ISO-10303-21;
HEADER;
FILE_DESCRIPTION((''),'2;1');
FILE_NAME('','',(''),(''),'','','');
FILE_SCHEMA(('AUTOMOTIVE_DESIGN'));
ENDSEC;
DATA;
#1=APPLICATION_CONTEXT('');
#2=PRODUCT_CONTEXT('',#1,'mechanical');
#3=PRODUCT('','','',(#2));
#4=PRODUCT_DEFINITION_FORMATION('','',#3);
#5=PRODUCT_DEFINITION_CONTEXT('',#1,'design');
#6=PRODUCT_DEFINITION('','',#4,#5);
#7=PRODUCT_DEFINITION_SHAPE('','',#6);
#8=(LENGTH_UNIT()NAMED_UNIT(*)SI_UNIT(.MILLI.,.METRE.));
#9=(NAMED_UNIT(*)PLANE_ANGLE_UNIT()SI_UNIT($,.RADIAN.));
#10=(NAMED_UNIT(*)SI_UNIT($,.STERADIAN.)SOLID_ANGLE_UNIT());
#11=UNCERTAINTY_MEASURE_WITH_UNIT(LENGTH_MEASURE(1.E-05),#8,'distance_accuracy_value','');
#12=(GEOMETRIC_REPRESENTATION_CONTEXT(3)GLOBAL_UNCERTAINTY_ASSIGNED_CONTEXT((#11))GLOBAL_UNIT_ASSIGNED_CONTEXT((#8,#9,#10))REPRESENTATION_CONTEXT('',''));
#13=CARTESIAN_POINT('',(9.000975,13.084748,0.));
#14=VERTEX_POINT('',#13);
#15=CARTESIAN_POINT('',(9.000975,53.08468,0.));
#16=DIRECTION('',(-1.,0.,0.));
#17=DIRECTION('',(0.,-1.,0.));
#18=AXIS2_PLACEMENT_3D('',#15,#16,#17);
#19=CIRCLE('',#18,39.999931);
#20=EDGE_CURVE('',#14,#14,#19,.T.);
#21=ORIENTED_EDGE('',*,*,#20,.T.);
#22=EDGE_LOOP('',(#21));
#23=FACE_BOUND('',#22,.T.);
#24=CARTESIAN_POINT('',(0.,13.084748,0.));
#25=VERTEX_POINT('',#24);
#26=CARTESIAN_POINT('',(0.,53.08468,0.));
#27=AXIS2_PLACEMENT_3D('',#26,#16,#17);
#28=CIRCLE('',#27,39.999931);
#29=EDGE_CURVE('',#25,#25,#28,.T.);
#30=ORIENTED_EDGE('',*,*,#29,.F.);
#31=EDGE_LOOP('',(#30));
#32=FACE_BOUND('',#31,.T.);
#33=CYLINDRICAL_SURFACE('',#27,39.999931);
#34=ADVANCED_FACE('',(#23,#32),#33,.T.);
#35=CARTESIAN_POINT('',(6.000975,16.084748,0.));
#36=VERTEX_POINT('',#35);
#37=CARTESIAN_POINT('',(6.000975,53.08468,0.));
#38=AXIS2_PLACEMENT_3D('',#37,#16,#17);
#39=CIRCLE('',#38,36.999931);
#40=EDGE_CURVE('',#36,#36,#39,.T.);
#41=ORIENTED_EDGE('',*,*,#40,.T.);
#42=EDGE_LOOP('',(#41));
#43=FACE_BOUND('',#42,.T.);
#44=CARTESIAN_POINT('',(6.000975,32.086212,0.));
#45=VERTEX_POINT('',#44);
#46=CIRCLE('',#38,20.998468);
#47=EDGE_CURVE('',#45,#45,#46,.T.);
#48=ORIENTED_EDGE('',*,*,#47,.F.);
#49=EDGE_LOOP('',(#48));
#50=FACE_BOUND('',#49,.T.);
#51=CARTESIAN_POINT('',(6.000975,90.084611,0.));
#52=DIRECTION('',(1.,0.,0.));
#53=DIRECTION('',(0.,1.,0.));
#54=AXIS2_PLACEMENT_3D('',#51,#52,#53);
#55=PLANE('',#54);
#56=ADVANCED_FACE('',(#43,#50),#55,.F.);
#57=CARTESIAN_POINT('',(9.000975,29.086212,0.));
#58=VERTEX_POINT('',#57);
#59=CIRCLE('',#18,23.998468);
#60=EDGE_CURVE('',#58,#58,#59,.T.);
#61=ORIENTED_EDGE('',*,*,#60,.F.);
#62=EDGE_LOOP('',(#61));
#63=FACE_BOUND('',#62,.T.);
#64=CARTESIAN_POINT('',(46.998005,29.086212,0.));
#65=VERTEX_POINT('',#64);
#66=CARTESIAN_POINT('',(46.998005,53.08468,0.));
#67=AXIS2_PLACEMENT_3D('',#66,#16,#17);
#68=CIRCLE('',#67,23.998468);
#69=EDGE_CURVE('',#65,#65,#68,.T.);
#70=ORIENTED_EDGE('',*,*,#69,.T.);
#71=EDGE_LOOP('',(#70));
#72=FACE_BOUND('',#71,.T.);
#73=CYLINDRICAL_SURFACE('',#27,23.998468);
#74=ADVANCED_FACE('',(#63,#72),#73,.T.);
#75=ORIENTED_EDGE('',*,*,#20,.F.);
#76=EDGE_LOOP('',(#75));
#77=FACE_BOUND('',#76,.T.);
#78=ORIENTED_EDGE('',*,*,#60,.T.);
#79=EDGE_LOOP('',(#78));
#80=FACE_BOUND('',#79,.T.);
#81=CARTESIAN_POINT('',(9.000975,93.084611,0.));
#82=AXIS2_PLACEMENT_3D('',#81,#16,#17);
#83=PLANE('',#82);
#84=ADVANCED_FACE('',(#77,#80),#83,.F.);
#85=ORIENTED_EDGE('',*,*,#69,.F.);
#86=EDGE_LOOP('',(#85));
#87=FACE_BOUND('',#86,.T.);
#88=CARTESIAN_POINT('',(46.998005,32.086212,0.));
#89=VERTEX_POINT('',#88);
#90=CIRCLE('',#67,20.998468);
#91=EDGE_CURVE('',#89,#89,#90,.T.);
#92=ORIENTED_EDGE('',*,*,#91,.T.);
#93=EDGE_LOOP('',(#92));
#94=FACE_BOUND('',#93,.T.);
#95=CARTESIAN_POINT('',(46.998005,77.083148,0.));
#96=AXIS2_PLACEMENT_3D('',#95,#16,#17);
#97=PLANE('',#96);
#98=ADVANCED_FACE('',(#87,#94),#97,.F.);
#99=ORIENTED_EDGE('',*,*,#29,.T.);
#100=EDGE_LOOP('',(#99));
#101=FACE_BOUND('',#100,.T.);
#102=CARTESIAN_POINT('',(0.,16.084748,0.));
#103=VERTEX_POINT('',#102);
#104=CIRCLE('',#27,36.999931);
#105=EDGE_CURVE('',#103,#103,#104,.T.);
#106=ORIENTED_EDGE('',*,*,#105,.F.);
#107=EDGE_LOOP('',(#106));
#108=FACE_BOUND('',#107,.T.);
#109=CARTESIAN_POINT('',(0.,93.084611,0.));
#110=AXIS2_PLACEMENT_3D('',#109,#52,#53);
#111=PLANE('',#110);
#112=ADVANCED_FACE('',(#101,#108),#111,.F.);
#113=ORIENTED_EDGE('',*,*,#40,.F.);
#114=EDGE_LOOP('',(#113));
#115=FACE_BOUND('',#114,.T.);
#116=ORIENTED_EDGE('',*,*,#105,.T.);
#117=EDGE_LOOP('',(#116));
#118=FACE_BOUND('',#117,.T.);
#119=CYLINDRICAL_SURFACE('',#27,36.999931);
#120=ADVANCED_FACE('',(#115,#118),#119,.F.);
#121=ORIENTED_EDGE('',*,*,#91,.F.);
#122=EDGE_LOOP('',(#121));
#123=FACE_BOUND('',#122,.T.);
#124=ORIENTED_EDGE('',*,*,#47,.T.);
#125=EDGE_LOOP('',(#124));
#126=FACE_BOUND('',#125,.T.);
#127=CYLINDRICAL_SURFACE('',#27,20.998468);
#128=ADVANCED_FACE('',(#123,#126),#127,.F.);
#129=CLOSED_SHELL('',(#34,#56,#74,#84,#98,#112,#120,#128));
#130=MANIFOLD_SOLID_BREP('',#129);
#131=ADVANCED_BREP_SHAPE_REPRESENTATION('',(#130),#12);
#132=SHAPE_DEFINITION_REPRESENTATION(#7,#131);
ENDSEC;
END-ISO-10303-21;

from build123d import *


with BuildPart() as part:
    # Sketch2 → Revolve1 (revolve)
    with BuildSketch(Plane.XY):
        Polygon((0, 90.08461108), (6.000975173, 90.08461108), (6.000975173, 74.083147589), (46.998004551, 74.083147589), (46.998004551, 77.083147589), (9.000975173, 77.083147589), (9.000975173, 93.08461108), (0, 93.08461108), align=None)
    revolve(axis=Axis((0, 53.084679681, 0), (1, 0, 0)))


solid = part.part
